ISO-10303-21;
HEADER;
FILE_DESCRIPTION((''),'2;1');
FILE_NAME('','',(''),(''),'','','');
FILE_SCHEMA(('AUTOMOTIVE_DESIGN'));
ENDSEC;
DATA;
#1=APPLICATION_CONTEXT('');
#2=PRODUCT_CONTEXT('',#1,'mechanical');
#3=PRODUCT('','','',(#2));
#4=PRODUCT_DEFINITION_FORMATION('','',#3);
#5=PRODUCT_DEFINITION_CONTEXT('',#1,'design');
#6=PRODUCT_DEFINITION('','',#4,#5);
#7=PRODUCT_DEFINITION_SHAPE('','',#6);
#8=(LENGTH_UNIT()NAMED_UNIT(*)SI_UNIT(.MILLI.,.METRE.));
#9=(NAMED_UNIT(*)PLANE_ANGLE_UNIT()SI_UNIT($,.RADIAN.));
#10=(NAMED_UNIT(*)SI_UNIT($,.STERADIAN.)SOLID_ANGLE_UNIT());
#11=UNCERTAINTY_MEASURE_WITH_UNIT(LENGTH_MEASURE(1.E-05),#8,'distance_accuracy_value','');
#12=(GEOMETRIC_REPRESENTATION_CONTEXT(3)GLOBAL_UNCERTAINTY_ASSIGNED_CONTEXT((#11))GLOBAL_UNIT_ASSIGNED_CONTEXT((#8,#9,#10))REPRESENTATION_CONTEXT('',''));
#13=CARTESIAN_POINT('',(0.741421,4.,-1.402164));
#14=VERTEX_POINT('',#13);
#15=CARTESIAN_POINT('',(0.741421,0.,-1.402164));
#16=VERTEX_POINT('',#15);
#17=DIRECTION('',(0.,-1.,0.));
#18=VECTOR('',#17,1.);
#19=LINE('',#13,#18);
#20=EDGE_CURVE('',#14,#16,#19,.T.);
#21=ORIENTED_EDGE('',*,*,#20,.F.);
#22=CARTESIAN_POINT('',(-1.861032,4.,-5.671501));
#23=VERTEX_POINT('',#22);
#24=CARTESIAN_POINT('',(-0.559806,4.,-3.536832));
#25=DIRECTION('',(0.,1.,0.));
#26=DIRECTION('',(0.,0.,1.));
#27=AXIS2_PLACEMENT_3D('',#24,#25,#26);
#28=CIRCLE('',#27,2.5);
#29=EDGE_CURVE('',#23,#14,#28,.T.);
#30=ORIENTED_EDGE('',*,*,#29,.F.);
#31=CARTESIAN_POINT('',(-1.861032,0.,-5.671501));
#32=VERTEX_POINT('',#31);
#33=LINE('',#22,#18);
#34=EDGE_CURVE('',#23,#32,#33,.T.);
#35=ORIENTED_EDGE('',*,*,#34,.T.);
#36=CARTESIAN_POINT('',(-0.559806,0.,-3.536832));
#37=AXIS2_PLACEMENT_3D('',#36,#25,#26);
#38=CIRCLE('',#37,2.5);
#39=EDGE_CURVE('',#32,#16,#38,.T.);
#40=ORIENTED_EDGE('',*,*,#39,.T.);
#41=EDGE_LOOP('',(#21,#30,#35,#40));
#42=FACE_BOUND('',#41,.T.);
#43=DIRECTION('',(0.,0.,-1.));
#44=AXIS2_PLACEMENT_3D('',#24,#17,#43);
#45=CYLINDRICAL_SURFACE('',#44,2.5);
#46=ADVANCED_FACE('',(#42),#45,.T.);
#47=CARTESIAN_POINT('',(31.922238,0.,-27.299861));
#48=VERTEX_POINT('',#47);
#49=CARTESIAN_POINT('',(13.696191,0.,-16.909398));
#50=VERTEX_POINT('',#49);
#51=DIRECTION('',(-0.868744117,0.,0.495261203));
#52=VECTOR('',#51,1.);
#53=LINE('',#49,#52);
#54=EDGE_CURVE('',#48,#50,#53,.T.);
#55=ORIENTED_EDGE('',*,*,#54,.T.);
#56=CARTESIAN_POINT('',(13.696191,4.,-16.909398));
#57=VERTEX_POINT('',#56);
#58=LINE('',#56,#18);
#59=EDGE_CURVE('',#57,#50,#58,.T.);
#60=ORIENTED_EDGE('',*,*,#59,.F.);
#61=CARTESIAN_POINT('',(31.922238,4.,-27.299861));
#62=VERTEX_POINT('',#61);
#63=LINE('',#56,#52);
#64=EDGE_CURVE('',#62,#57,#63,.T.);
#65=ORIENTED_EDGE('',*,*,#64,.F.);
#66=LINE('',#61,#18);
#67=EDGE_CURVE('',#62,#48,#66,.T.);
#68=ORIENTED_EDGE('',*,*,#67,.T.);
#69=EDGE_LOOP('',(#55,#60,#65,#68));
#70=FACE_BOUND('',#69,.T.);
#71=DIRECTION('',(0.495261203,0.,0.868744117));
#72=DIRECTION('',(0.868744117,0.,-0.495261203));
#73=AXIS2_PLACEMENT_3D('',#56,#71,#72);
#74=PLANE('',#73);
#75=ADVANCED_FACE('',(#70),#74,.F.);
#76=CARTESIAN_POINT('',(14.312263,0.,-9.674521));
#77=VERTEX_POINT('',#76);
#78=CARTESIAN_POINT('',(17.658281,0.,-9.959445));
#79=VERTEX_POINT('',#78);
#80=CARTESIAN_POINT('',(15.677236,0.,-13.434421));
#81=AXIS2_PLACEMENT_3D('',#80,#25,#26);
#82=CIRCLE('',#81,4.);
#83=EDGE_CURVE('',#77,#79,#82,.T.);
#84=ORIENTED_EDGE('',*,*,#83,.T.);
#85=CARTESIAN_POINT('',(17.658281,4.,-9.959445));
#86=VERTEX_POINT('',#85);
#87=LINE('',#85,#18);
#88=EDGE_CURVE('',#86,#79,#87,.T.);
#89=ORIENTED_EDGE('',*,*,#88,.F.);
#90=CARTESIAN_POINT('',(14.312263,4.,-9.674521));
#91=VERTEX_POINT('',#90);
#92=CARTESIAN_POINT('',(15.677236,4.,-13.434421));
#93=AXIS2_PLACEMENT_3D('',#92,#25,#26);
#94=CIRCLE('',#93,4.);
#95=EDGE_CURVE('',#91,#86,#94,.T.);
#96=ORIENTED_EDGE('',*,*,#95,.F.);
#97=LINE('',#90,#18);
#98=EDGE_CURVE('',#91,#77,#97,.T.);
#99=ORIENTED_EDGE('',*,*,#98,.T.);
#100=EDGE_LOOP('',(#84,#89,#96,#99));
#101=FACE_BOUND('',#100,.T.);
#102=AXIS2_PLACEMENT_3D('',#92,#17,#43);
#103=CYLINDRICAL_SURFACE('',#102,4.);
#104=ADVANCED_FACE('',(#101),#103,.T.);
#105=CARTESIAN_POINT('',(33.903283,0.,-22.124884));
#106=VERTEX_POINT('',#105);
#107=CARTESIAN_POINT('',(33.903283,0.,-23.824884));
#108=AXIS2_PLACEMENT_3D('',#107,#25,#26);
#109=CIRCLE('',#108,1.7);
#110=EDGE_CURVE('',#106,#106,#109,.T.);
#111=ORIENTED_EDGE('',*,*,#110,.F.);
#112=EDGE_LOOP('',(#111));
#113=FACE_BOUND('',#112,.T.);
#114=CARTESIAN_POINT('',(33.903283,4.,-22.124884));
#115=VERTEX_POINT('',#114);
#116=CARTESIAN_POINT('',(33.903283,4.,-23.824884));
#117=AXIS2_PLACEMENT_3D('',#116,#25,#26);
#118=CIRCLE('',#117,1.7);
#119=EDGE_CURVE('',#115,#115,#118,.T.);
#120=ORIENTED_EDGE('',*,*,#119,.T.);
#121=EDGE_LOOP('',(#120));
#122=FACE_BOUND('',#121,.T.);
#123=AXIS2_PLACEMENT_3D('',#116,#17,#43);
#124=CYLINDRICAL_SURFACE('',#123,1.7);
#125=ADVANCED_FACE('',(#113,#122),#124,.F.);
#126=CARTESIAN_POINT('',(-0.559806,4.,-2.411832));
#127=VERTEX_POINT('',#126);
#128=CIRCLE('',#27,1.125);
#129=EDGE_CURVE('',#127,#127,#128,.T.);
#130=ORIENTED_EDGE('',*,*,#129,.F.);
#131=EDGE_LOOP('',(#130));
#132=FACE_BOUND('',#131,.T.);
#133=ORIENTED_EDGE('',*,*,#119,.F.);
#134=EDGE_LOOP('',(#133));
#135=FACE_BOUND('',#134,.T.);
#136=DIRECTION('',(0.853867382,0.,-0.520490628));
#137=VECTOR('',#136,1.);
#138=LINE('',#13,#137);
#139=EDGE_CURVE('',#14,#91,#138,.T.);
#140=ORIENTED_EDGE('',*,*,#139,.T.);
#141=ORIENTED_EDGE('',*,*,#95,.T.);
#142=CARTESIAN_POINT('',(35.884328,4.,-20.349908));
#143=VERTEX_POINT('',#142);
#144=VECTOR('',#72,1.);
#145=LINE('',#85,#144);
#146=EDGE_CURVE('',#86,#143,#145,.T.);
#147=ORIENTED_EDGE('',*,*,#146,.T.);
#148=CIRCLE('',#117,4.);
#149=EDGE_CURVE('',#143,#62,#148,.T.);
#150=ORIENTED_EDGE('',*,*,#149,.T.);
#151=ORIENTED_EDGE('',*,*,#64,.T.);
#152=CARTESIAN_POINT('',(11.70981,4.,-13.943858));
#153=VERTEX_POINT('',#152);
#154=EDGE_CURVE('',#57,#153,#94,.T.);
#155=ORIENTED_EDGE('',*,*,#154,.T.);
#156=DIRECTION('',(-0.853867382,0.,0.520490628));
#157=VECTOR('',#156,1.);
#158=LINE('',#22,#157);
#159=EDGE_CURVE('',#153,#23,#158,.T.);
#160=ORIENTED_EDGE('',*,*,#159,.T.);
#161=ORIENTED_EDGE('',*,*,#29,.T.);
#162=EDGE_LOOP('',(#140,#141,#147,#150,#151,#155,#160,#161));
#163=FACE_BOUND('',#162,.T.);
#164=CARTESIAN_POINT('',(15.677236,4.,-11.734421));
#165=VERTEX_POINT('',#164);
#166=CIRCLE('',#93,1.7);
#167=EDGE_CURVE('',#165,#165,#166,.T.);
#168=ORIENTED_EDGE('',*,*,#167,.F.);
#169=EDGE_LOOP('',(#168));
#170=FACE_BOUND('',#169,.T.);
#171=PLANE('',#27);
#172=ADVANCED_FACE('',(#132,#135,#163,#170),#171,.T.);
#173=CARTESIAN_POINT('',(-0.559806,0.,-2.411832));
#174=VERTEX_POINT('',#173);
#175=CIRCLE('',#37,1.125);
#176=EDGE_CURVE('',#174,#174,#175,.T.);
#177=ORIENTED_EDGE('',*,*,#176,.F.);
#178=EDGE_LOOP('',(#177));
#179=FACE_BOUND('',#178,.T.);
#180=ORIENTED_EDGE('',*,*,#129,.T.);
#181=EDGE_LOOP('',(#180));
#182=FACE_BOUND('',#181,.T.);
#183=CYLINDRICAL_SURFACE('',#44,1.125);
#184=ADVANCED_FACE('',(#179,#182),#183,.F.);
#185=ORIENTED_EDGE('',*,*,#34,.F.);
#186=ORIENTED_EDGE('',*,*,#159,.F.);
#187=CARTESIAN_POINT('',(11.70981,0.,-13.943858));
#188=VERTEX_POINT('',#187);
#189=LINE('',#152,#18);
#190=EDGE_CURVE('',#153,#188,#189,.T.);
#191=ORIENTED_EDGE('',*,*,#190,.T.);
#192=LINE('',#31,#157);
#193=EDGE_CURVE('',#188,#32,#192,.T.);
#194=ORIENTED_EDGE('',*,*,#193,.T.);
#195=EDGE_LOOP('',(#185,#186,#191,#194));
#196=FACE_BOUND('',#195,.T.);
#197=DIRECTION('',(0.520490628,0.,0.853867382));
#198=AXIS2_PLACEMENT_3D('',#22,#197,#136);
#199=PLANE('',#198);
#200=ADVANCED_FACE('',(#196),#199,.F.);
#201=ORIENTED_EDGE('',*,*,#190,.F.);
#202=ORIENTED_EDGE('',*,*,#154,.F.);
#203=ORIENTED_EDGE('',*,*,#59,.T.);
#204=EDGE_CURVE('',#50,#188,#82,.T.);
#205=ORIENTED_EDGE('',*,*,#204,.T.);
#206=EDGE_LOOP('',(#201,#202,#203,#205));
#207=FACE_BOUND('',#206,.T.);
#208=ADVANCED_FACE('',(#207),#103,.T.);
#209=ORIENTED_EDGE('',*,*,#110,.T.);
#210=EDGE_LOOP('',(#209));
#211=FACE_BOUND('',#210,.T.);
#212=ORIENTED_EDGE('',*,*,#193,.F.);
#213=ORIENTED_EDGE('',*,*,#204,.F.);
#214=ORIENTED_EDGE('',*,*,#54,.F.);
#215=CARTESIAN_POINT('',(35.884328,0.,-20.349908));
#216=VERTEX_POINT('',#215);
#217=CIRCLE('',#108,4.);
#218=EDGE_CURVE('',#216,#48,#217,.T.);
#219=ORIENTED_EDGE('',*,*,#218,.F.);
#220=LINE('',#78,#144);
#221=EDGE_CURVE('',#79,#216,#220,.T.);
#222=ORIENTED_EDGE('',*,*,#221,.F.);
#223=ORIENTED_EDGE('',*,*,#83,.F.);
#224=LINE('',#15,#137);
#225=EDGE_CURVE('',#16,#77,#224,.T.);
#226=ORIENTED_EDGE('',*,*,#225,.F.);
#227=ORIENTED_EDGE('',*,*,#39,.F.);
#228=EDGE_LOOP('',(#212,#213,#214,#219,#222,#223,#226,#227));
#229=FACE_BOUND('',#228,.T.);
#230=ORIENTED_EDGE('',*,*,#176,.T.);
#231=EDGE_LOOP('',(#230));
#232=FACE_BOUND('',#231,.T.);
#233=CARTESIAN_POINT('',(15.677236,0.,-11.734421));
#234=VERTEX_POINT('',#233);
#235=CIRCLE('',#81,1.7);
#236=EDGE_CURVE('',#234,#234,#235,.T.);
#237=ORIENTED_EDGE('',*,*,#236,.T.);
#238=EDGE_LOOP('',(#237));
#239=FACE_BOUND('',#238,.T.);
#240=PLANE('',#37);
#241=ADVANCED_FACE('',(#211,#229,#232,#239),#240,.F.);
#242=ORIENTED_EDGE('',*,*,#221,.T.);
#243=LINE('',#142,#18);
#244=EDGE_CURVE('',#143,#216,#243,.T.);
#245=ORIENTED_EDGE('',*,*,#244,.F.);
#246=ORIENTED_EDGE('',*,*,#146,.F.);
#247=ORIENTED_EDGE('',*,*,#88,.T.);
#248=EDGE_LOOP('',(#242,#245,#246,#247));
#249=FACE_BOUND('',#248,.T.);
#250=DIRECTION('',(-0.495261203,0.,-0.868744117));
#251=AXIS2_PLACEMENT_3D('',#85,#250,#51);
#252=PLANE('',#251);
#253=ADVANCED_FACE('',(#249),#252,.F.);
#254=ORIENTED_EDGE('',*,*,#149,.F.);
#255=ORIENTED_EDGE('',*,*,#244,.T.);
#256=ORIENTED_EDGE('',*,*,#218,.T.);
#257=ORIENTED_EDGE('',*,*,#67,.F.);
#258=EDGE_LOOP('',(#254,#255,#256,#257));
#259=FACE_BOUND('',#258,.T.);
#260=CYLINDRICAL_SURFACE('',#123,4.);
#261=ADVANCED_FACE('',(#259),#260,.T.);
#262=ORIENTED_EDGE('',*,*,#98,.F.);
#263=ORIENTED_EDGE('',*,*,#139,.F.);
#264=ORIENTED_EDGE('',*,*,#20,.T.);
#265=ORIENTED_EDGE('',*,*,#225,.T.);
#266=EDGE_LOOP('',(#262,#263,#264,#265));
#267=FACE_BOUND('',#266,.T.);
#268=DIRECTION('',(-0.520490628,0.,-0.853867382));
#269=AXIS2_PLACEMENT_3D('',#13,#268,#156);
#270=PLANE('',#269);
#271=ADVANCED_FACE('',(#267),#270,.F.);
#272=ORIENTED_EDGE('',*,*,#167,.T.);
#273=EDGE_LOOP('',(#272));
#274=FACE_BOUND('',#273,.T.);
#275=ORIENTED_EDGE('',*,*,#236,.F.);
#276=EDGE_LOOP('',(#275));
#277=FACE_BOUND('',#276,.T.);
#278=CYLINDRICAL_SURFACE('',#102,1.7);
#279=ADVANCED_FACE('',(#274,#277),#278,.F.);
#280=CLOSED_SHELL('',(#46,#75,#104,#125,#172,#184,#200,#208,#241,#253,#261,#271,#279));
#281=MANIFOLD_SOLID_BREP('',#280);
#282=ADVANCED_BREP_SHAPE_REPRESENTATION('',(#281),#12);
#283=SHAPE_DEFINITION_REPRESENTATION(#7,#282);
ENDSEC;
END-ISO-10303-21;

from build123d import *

# Parameters (mm, degrees)
SKETCH1_R           = 1.7
SKETCH1_R_2         = 1.125
BOSS_EXTRUDE1_DEPTH = 4


with BuildPart() as part:
    # Sketch1 → Boss-Extrude1 (new body)
    with BuildSketch(Plane(origin=(0, 0, 0), x_dir=(1, 0, 0), z_dir=(0, 1, 0))):
        with BuildLine():
            Line((-1.861032186, 5.671500837), (11.70980962, 13.943858026))
            ThreePointArc((11.70980962, 13.943858026), (11.793110745, 14.390229161), (11.926465203, 14.824283138))
            ThreePointArc((11.926465203, 14.824283138), (12.627588108, 16.022788534), (13.696191423, 16.909397504))
            Line((13.696191423, 16.909397504), (31.922238344, 27.299860881))
            ThreePointArc((31.922238344, 27.299860881), (37.378259624, 25.805929226), (35.88432797, 20.349907946))
            Line((35.88432797, 20.349907946), (17.658281049, 9.95944457))
            ThreePointArc((17.658281049, 9.95944457), (16.016619967, 9.448844707), (14.312262761, 9.674521117))
            Line((14.312262761, 9.674521117), (0.741420954, 1.402163927))
            ThreePointArc((0.741420954, 1.402163927), (-2.694474071, 2.235605811), (-1.861032186, 5.671500837))
        make_face()
        with Locations(Location((15.677236236, 13.434421037, 0), (0, 0, 270))):
            Circle(SKETCH1_R, mode=Mode.SUBTRACT)
        with Locations(Location((33.903283157, 23.824884413, 0), (0, 0, 270))):
            Circle(SKETCH1_R, mode=Mode.SUBTRACT)
        with Locations(Location((-0.559805616, 3.536832382, 0), (0, 0, 270))):
            Circle(SKETCH1_R_2, mode=Mode.SUBTRACT)
    extrude(amount=BOSS_EXTRUDE1_DEPTH)


solid = part.part
